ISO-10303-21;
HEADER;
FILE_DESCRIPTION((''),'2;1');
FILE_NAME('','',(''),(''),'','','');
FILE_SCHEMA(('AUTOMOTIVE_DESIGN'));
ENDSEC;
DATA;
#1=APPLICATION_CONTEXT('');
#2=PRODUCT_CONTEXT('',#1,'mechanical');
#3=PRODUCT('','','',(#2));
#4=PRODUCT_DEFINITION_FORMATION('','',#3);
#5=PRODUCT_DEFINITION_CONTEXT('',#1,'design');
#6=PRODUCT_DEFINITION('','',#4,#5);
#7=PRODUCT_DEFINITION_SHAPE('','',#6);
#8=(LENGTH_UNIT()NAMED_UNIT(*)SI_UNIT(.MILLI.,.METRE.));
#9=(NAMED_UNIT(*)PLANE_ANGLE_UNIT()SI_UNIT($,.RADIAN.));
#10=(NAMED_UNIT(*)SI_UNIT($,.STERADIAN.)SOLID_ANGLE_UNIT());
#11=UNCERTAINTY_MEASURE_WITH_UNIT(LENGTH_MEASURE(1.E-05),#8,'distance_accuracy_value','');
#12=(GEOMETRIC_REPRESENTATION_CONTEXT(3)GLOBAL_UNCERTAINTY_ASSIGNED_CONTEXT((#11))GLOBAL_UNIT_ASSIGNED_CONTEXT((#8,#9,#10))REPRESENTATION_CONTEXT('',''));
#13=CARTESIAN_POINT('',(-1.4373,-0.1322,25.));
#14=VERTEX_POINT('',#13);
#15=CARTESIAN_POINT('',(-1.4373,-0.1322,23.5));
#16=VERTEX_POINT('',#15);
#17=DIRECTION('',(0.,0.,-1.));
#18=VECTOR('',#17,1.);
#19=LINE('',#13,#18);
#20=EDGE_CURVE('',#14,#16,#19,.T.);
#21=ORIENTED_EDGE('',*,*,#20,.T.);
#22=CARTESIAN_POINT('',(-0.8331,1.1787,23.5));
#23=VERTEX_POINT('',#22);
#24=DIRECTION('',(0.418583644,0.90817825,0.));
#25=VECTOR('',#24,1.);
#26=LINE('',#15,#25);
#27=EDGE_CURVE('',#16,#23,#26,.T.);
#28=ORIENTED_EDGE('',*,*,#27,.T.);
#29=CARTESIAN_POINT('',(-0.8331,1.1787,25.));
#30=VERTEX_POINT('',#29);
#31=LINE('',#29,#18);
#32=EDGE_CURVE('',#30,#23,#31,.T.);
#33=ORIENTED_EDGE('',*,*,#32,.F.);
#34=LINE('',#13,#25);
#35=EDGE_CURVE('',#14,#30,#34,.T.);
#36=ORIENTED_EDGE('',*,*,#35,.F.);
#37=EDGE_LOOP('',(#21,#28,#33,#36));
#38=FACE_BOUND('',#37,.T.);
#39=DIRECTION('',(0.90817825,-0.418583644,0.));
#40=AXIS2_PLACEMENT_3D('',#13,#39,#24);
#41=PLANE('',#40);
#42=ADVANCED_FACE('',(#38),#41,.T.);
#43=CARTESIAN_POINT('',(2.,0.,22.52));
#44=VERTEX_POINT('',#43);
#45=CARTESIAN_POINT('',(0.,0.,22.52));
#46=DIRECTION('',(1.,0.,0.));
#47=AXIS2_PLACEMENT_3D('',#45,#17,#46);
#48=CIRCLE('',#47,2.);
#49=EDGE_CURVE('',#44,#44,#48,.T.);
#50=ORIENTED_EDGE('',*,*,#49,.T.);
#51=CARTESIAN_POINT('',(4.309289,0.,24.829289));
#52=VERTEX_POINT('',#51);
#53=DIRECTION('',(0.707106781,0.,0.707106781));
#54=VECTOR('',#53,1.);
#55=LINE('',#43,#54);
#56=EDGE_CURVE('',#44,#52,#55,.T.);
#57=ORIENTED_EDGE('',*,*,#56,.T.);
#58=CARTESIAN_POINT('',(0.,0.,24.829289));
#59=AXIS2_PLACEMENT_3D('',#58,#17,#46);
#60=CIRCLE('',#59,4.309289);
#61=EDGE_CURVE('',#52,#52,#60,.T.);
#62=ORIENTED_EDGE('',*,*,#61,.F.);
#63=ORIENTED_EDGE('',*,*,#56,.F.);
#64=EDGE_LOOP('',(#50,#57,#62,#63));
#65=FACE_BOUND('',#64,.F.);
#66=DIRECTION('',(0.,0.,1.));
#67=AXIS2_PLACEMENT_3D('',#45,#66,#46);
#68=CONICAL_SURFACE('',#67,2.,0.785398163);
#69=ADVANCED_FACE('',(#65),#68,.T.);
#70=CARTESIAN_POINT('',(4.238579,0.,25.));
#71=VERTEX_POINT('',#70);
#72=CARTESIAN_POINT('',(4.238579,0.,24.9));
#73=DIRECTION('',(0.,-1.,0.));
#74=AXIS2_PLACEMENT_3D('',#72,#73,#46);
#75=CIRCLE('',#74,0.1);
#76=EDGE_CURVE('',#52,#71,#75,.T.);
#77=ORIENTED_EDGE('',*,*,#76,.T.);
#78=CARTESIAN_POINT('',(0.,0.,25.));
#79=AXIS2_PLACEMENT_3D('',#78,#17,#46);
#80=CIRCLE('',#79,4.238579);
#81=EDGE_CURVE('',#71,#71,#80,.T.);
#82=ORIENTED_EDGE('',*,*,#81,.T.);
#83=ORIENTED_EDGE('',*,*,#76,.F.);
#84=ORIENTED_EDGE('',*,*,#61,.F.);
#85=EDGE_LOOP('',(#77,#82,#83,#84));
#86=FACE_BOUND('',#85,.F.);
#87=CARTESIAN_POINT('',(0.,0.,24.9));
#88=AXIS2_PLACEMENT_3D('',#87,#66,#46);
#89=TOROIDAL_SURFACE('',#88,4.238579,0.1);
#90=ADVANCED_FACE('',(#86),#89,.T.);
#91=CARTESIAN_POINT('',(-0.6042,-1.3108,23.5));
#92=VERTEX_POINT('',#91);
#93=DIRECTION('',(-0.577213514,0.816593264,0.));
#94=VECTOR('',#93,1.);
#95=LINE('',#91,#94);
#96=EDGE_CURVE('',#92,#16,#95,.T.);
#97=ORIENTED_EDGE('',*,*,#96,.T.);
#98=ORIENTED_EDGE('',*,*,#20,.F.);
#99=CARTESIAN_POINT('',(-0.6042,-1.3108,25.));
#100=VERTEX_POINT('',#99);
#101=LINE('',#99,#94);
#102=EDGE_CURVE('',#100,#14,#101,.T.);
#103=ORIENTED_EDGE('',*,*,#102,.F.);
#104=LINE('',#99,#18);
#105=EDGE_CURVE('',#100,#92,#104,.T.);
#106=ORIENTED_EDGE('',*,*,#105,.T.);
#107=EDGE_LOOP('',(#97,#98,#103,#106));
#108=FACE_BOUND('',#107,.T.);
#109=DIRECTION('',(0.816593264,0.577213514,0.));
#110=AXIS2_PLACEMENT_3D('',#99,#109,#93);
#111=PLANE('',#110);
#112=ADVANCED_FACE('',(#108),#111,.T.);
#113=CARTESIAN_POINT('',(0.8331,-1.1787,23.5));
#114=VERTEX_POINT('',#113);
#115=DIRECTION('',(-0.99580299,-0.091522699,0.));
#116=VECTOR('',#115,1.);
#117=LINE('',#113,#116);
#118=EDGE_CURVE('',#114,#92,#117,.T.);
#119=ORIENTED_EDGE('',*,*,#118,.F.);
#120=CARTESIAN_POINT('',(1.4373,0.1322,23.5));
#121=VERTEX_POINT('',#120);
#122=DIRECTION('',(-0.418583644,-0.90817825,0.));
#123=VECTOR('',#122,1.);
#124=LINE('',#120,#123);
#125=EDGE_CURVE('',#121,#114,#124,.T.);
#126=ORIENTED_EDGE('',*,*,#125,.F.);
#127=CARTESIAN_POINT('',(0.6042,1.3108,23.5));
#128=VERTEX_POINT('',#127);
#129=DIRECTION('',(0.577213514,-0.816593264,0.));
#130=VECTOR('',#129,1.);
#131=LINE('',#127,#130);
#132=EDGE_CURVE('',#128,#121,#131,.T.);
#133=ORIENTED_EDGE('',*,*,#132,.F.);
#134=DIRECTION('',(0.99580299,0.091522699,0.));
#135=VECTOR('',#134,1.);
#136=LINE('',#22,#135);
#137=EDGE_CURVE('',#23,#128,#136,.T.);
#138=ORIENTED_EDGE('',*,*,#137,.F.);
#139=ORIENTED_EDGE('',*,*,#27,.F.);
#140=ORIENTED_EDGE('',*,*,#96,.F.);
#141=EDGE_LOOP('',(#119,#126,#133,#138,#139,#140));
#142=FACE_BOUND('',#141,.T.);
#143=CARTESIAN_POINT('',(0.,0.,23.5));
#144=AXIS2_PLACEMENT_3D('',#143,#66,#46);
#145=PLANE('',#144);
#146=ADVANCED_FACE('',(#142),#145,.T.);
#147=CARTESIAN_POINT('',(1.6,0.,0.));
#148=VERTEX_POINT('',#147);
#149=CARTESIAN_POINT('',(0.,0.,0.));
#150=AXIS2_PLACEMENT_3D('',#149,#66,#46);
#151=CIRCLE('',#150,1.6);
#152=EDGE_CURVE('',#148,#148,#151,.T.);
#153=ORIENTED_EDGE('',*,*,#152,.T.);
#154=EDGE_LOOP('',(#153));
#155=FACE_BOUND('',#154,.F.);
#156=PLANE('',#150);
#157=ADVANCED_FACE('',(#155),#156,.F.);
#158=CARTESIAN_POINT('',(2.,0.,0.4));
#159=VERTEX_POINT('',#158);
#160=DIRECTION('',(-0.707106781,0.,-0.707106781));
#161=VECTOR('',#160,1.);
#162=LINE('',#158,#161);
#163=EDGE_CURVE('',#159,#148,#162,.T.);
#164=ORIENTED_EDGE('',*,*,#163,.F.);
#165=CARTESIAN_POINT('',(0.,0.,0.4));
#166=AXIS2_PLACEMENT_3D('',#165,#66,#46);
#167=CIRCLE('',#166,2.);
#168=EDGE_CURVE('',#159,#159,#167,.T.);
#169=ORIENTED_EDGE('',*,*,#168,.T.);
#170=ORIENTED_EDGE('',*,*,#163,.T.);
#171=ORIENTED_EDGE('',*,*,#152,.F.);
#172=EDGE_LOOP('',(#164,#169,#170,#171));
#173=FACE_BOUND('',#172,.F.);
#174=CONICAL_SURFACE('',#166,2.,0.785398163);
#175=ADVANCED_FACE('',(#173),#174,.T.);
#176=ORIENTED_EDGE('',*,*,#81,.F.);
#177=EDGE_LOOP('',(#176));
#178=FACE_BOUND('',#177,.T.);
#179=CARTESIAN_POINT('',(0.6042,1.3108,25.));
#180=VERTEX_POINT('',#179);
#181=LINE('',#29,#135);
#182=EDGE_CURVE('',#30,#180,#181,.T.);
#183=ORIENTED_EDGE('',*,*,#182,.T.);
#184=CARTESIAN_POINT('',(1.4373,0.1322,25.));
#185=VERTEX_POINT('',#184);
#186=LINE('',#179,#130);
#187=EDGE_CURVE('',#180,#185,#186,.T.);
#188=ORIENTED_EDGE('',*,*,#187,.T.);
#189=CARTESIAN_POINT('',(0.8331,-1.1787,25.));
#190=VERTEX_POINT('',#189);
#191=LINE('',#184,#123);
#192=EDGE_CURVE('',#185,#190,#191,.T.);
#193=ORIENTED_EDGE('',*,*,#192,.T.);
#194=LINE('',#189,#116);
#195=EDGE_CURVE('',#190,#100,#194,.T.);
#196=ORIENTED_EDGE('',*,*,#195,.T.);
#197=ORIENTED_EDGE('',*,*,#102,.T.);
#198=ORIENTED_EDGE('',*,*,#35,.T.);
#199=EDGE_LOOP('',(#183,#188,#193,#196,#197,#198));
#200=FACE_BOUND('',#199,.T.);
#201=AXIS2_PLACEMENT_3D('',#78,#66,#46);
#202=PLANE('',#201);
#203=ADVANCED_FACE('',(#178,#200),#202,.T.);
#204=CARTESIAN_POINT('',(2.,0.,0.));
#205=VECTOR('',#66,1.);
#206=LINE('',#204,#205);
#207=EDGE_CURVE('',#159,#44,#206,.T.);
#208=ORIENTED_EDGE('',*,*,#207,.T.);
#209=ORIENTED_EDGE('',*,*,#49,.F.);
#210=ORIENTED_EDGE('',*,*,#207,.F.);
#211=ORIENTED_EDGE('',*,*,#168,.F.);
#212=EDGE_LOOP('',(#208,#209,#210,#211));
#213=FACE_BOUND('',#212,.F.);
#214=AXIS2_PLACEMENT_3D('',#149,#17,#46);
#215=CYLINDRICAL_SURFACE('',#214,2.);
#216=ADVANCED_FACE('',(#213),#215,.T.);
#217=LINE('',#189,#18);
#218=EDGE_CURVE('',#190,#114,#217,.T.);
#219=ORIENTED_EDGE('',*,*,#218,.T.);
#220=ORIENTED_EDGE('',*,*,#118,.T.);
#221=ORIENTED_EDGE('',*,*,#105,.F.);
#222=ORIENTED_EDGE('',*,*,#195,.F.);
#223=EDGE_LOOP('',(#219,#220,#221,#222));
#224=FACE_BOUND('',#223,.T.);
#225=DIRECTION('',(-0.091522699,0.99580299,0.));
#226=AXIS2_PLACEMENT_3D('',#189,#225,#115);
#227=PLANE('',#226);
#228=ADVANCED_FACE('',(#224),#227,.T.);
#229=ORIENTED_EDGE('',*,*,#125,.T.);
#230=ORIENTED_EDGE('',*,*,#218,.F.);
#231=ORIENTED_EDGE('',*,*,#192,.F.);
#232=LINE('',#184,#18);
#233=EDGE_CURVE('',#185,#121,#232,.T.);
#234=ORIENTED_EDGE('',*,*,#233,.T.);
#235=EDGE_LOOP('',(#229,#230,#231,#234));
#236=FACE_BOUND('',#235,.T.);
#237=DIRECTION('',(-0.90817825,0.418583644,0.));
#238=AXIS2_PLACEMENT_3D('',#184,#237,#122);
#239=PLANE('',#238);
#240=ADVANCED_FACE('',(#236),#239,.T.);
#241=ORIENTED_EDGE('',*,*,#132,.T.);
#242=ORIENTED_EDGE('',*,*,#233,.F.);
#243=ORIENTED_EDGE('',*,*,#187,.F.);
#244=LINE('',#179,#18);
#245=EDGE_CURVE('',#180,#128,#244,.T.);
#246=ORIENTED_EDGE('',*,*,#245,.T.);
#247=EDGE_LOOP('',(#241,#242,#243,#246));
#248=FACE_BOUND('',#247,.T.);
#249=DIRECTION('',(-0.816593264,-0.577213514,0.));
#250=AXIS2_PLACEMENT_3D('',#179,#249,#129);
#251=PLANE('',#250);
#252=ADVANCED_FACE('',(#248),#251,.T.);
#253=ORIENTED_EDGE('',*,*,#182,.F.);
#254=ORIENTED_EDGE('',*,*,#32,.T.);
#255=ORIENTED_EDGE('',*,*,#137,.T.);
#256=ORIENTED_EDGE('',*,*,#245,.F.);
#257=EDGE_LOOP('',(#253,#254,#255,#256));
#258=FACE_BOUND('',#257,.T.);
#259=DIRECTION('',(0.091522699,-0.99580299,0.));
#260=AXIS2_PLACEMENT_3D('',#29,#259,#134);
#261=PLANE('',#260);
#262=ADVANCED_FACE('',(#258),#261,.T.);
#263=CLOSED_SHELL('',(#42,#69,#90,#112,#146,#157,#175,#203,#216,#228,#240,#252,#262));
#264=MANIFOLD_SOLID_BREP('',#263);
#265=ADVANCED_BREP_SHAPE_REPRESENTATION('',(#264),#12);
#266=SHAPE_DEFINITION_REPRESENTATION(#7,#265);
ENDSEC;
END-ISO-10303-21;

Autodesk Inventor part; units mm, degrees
ref_plane "YZ Plane" through (0, 0, 0) normal (1, 0, 0) x (0, 1, 0)
ref_plane "XZ Plane" through (0, 0, 0) normal (0, 1, 0) x (-1, 0, 0)
ref_plane "XY Plane" through (0, 0, 0) normal (0, 0, 1) x (1, 0, 0)
sketch "Sketch1" plane through (0, 0, 0) normal (0, 0, 1) x (1, 0, 0)
  circle A0 centre (0, 0) radius 2
  dimension "Diameter" = 4
extrude "Extrusion1" add sketch "Sketch1" along normal blind 22.52
sketch "Sketch2" plane through (0, 0, 22.52) normal (0, 0, 1) x (1, 0, 0)
  circle A0 centre (0, 0) radius 2 projected
extrude "Extrusion2" add sketch "Sketch2" along normal blind 2.48 draft 45
sketch "Sketch3" plane through (0, 0, 25) normal (0, 0, 1) x (1, 0, 0)
  circle A0 centre (0, 0) radius 4.48 projected
  circle A1 centre (0, 0) radius 1.4434 construction
  line L0 (0.6042, 1.3108) -> (1.4373, 0.1322)
  line L1 (1.4373, 0.1322) -> (0.8331, -1.1787)
  line L2 (0.8331, -1.1787) -> (-0.6042, -1.3108)
  line L3 (-0.6042, -1.3108) -> (-1.4373, -0.1322)
  line L4 (-1.4373, -0.1322) -> (-0.8331, 1.1787)
  line L5 (-0.8331, 1.1787) -> (0.6042, 1.3108)
  dimension "Hex_Width" = 2.5
extrude "Extrusion3" cut sketch "Sketch3" against normal blind 1.5 contours L0 L1 L2 L3 L4 L5
thread "Thread1" size "M4x0.7" class "4g6g" standard "ANSI Metric M Profile" full length
chamfer "Chamfer2" distance 0.4 angle 45 1 edges at (-2, 0, 0)
fillet "Fillet1" radius 0.1 1 edges at (-4.48, 0, 25)
equation "\"d10\" = Thread_Length"
equation "\"d13\" = Chamfer"
equation "\"Thread_Length\" = 7.52"
equation "\"Chamfer\" = 0.4"
properties part number "SCREW, FLAT HD, P, 12_9, M4X0_7X25"
